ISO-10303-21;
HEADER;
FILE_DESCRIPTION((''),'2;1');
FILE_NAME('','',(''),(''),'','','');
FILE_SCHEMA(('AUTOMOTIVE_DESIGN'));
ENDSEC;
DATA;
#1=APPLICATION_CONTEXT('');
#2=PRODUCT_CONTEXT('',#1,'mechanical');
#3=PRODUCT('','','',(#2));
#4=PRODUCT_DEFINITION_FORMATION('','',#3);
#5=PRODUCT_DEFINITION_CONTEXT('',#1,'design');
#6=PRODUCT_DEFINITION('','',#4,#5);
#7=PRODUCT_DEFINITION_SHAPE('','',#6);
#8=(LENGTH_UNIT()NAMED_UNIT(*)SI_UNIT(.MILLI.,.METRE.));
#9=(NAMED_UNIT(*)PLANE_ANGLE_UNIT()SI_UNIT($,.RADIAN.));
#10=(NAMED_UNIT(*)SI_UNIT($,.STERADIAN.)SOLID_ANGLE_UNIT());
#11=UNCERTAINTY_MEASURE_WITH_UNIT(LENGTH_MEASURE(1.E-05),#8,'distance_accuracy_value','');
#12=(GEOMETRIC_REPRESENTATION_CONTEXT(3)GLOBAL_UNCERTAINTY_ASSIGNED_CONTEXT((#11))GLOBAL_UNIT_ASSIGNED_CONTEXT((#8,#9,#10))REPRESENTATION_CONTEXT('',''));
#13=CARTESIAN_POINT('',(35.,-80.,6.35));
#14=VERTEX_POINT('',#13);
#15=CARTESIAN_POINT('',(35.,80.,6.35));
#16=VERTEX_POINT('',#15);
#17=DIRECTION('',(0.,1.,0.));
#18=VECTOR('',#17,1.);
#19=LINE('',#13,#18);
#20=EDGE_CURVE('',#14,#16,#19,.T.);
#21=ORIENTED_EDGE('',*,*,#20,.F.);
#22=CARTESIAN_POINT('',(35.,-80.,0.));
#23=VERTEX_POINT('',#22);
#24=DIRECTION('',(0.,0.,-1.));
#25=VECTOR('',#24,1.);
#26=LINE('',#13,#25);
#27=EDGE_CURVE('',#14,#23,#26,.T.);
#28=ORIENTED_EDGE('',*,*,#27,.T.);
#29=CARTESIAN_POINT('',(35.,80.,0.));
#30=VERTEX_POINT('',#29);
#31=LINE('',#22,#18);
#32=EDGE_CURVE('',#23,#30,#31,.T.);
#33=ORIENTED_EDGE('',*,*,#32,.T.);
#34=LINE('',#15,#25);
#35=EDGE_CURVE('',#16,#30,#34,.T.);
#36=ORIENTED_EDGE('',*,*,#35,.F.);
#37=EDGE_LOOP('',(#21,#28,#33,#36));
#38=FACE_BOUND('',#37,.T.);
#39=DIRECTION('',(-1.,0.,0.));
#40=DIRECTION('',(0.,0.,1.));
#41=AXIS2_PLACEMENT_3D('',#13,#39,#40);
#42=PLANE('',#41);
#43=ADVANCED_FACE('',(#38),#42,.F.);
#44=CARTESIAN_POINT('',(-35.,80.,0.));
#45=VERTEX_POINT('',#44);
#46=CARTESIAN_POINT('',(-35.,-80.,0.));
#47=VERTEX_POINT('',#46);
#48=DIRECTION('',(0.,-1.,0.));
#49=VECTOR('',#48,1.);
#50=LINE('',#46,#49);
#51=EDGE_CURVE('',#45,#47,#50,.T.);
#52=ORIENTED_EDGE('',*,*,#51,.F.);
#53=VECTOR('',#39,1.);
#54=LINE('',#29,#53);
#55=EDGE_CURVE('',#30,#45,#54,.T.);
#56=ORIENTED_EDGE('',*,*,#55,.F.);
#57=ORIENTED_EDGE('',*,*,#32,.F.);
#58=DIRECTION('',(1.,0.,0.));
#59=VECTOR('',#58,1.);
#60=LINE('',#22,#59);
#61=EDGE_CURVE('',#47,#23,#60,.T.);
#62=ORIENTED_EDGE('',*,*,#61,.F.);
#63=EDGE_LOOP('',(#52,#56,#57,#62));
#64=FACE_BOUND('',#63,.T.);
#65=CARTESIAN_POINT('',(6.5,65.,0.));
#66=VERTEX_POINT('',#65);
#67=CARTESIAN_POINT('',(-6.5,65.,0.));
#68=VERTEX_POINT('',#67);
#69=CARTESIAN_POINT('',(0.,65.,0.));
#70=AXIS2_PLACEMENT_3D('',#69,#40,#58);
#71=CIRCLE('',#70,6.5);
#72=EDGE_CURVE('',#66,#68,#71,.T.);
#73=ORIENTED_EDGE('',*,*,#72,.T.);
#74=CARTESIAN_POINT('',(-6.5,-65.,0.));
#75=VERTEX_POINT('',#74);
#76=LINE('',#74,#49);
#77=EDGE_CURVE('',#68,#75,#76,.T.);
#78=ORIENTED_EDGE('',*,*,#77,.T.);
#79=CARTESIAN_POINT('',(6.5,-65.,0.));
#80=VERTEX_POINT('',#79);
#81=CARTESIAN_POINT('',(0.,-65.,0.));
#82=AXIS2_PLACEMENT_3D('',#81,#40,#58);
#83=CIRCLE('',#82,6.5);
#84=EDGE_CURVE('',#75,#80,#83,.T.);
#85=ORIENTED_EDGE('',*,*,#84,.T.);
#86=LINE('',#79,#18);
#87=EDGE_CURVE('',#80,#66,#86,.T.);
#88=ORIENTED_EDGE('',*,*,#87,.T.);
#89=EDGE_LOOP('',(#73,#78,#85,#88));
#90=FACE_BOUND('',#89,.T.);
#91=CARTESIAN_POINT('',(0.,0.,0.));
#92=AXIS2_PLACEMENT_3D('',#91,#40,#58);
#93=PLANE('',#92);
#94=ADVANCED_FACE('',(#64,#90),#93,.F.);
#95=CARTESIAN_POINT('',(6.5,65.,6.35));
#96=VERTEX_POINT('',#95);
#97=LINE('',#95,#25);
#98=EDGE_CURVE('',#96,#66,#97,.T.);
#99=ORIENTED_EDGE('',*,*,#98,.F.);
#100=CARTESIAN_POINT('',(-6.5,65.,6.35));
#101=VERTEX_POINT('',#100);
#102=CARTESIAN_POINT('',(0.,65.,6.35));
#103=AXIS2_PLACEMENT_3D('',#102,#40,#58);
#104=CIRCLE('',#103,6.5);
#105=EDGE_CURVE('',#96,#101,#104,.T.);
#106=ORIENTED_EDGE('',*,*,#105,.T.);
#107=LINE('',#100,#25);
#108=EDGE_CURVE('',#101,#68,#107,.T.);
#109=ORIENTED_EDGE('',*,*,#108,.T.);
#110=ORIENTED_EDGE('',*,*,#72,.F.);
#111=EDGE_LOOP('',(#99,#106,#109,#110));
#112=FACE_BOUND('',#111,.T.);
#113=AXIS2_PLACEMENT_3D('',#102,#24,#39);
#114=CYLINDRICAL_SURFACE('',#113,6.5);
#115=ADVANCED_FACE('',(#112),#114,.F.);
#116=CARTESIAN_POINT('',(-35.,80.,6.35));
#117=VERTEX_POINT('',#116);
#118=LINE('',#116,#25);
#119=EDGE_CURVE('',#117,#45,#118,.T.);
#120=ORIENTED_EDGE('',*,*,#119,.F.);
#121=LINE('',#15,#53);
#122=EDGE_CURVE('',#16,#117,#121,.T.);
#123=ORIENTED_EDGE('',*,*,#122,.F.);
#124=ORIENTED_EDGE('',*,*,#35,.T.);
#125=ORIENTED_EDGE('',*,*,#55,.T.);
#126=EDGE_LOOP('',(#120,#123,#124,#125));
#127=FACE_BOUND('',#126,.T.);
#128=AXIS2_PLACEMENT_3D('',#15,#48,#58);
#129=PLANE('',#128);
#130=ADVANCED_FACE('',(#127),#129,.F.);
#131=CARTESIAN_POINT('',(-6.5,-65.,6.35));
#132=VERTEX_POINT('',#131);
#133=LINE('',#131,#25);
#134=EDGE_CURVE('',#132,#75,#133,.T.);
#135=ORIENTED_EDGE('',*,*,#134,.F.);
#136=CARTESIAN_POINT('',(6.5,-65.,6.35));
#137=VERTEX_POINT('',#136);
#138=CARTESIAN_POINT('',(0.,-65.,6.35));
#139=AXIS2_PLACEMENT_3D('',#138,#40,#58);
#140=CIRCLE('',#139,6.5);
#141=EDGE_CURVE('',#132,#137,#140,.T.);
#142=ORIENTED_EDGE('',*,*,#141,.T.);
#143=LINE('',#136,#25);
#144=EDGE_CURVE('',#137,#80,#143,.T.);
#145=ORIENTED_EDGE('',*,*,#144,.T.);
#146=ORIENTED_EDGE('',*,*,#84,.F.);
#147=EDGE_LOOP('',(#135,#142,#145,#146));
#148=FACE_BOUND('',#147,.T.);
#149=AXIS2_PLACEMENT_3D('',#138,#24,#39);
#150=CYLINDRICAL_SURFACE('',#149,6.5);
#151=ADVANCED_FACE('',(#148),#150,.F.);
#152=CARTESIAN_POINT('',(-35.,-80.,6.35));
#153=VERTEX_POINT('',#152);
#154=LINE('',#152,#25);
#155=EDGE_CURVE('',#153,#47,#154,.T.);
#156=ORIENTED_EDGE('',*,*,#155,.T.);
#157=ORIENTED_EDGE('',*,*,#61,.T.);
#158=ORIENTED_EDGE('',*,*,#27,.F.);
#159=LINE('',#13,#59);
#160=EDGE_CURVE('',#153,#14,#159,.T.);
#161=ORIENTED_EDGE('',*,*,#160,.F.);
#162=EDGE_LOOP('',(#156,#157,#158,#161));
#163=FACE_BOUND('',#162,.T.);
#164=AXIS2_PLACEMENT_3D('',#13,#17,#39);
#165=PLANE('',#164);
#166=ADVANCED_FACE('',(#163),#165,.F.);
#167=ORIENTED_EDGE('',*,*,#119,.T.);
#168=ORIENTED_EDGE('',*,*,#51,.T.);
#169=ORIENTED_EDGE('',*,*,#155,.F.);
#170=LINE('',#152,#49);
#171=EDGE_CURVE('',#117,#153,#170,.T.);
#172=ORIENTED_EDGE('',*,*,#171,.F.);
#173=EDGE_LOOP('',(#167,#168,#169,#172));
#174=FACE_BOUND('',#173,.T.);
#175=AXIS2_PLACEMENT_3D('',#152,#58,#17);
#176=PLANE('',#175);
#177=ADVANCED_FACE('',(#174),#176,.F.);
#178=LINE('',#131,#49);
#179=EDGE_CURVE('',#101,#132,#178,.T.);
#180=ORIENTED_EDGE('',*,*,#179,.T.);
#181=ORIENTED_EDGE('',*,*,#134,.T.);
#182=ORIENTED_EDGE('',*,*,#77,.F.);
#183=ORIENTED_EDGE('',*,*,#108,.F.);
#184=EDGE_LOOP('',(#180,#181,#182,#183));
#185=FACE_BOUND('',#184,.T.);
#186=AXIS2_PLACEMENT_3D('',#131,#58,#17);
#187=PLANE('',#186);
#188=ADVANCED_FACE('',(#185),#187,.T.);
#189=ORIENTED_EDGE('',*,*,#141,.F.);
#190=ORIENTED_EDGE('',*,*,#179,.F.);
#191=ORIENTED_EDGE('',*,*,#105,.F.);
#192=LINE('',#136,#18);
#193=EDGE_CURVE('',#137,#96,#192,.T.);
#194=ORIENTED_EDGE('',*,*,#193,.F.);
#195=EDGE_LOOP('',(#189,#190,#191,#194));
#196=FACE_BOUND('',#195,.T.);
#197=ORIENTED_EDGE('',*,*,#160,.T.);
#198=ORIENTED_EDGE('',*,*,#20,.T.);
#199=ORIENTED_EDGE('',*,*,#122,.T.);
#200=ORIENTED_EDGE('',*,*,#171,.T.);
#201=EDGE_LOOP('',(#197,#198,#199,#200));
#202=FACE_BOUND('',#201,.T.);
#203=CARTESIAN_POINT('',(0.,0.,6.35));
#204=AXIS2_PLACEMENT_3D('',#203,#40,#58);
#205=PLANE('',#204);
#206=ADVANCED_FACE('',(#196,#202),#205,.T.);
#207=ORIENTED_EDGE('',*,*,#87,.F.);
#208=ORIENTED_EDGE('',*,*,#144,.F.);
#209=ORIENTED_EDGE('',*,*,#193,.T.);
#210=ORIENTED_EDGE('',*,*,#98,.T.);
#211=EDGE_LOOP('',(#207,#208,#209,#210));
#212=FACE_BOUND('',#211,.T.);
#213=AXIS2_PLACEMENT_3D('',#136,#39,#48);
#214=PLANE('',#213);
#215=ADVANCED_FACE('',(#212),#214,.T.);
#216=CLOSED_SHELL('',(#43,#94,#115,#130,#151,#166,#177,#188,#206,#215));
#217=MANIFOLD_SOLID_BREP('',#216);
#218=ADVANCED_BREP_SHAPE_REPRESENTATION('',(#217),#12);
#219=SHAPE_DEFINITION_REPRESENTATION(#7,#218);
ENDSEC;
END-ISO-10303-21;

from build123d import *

# Parameters (mm, degrees)
CROQUIS1_W              = 70
CROQUIS1_H              = 160
SALIENTE_EXTRUIR1_DEPTH = 6.35


with BuildPart() as part:
    # Croquis1 → Saliente-Extruir1 (new body)
    with BuildSketch(Plane.XY):
        Rectangle(CROQUIS1_W, CROQUIS1_H)
        with BuildLine():
            Line((-6.5, -65), (-6.5, 65))
            ThreePointArc((-6.5, 65), (0, 71.5), (6.5, 65))
            Line((6.5, 65), (6.5, -65))
            ThreePointArc((6.5, -65), (0, -71.5), (-6.5, -65))
        make_face(mode=Mode.SUBTRACT)
    extrude(amount=SALIENTE_EXTRUIR1_DEPTH)


solid = part.part
